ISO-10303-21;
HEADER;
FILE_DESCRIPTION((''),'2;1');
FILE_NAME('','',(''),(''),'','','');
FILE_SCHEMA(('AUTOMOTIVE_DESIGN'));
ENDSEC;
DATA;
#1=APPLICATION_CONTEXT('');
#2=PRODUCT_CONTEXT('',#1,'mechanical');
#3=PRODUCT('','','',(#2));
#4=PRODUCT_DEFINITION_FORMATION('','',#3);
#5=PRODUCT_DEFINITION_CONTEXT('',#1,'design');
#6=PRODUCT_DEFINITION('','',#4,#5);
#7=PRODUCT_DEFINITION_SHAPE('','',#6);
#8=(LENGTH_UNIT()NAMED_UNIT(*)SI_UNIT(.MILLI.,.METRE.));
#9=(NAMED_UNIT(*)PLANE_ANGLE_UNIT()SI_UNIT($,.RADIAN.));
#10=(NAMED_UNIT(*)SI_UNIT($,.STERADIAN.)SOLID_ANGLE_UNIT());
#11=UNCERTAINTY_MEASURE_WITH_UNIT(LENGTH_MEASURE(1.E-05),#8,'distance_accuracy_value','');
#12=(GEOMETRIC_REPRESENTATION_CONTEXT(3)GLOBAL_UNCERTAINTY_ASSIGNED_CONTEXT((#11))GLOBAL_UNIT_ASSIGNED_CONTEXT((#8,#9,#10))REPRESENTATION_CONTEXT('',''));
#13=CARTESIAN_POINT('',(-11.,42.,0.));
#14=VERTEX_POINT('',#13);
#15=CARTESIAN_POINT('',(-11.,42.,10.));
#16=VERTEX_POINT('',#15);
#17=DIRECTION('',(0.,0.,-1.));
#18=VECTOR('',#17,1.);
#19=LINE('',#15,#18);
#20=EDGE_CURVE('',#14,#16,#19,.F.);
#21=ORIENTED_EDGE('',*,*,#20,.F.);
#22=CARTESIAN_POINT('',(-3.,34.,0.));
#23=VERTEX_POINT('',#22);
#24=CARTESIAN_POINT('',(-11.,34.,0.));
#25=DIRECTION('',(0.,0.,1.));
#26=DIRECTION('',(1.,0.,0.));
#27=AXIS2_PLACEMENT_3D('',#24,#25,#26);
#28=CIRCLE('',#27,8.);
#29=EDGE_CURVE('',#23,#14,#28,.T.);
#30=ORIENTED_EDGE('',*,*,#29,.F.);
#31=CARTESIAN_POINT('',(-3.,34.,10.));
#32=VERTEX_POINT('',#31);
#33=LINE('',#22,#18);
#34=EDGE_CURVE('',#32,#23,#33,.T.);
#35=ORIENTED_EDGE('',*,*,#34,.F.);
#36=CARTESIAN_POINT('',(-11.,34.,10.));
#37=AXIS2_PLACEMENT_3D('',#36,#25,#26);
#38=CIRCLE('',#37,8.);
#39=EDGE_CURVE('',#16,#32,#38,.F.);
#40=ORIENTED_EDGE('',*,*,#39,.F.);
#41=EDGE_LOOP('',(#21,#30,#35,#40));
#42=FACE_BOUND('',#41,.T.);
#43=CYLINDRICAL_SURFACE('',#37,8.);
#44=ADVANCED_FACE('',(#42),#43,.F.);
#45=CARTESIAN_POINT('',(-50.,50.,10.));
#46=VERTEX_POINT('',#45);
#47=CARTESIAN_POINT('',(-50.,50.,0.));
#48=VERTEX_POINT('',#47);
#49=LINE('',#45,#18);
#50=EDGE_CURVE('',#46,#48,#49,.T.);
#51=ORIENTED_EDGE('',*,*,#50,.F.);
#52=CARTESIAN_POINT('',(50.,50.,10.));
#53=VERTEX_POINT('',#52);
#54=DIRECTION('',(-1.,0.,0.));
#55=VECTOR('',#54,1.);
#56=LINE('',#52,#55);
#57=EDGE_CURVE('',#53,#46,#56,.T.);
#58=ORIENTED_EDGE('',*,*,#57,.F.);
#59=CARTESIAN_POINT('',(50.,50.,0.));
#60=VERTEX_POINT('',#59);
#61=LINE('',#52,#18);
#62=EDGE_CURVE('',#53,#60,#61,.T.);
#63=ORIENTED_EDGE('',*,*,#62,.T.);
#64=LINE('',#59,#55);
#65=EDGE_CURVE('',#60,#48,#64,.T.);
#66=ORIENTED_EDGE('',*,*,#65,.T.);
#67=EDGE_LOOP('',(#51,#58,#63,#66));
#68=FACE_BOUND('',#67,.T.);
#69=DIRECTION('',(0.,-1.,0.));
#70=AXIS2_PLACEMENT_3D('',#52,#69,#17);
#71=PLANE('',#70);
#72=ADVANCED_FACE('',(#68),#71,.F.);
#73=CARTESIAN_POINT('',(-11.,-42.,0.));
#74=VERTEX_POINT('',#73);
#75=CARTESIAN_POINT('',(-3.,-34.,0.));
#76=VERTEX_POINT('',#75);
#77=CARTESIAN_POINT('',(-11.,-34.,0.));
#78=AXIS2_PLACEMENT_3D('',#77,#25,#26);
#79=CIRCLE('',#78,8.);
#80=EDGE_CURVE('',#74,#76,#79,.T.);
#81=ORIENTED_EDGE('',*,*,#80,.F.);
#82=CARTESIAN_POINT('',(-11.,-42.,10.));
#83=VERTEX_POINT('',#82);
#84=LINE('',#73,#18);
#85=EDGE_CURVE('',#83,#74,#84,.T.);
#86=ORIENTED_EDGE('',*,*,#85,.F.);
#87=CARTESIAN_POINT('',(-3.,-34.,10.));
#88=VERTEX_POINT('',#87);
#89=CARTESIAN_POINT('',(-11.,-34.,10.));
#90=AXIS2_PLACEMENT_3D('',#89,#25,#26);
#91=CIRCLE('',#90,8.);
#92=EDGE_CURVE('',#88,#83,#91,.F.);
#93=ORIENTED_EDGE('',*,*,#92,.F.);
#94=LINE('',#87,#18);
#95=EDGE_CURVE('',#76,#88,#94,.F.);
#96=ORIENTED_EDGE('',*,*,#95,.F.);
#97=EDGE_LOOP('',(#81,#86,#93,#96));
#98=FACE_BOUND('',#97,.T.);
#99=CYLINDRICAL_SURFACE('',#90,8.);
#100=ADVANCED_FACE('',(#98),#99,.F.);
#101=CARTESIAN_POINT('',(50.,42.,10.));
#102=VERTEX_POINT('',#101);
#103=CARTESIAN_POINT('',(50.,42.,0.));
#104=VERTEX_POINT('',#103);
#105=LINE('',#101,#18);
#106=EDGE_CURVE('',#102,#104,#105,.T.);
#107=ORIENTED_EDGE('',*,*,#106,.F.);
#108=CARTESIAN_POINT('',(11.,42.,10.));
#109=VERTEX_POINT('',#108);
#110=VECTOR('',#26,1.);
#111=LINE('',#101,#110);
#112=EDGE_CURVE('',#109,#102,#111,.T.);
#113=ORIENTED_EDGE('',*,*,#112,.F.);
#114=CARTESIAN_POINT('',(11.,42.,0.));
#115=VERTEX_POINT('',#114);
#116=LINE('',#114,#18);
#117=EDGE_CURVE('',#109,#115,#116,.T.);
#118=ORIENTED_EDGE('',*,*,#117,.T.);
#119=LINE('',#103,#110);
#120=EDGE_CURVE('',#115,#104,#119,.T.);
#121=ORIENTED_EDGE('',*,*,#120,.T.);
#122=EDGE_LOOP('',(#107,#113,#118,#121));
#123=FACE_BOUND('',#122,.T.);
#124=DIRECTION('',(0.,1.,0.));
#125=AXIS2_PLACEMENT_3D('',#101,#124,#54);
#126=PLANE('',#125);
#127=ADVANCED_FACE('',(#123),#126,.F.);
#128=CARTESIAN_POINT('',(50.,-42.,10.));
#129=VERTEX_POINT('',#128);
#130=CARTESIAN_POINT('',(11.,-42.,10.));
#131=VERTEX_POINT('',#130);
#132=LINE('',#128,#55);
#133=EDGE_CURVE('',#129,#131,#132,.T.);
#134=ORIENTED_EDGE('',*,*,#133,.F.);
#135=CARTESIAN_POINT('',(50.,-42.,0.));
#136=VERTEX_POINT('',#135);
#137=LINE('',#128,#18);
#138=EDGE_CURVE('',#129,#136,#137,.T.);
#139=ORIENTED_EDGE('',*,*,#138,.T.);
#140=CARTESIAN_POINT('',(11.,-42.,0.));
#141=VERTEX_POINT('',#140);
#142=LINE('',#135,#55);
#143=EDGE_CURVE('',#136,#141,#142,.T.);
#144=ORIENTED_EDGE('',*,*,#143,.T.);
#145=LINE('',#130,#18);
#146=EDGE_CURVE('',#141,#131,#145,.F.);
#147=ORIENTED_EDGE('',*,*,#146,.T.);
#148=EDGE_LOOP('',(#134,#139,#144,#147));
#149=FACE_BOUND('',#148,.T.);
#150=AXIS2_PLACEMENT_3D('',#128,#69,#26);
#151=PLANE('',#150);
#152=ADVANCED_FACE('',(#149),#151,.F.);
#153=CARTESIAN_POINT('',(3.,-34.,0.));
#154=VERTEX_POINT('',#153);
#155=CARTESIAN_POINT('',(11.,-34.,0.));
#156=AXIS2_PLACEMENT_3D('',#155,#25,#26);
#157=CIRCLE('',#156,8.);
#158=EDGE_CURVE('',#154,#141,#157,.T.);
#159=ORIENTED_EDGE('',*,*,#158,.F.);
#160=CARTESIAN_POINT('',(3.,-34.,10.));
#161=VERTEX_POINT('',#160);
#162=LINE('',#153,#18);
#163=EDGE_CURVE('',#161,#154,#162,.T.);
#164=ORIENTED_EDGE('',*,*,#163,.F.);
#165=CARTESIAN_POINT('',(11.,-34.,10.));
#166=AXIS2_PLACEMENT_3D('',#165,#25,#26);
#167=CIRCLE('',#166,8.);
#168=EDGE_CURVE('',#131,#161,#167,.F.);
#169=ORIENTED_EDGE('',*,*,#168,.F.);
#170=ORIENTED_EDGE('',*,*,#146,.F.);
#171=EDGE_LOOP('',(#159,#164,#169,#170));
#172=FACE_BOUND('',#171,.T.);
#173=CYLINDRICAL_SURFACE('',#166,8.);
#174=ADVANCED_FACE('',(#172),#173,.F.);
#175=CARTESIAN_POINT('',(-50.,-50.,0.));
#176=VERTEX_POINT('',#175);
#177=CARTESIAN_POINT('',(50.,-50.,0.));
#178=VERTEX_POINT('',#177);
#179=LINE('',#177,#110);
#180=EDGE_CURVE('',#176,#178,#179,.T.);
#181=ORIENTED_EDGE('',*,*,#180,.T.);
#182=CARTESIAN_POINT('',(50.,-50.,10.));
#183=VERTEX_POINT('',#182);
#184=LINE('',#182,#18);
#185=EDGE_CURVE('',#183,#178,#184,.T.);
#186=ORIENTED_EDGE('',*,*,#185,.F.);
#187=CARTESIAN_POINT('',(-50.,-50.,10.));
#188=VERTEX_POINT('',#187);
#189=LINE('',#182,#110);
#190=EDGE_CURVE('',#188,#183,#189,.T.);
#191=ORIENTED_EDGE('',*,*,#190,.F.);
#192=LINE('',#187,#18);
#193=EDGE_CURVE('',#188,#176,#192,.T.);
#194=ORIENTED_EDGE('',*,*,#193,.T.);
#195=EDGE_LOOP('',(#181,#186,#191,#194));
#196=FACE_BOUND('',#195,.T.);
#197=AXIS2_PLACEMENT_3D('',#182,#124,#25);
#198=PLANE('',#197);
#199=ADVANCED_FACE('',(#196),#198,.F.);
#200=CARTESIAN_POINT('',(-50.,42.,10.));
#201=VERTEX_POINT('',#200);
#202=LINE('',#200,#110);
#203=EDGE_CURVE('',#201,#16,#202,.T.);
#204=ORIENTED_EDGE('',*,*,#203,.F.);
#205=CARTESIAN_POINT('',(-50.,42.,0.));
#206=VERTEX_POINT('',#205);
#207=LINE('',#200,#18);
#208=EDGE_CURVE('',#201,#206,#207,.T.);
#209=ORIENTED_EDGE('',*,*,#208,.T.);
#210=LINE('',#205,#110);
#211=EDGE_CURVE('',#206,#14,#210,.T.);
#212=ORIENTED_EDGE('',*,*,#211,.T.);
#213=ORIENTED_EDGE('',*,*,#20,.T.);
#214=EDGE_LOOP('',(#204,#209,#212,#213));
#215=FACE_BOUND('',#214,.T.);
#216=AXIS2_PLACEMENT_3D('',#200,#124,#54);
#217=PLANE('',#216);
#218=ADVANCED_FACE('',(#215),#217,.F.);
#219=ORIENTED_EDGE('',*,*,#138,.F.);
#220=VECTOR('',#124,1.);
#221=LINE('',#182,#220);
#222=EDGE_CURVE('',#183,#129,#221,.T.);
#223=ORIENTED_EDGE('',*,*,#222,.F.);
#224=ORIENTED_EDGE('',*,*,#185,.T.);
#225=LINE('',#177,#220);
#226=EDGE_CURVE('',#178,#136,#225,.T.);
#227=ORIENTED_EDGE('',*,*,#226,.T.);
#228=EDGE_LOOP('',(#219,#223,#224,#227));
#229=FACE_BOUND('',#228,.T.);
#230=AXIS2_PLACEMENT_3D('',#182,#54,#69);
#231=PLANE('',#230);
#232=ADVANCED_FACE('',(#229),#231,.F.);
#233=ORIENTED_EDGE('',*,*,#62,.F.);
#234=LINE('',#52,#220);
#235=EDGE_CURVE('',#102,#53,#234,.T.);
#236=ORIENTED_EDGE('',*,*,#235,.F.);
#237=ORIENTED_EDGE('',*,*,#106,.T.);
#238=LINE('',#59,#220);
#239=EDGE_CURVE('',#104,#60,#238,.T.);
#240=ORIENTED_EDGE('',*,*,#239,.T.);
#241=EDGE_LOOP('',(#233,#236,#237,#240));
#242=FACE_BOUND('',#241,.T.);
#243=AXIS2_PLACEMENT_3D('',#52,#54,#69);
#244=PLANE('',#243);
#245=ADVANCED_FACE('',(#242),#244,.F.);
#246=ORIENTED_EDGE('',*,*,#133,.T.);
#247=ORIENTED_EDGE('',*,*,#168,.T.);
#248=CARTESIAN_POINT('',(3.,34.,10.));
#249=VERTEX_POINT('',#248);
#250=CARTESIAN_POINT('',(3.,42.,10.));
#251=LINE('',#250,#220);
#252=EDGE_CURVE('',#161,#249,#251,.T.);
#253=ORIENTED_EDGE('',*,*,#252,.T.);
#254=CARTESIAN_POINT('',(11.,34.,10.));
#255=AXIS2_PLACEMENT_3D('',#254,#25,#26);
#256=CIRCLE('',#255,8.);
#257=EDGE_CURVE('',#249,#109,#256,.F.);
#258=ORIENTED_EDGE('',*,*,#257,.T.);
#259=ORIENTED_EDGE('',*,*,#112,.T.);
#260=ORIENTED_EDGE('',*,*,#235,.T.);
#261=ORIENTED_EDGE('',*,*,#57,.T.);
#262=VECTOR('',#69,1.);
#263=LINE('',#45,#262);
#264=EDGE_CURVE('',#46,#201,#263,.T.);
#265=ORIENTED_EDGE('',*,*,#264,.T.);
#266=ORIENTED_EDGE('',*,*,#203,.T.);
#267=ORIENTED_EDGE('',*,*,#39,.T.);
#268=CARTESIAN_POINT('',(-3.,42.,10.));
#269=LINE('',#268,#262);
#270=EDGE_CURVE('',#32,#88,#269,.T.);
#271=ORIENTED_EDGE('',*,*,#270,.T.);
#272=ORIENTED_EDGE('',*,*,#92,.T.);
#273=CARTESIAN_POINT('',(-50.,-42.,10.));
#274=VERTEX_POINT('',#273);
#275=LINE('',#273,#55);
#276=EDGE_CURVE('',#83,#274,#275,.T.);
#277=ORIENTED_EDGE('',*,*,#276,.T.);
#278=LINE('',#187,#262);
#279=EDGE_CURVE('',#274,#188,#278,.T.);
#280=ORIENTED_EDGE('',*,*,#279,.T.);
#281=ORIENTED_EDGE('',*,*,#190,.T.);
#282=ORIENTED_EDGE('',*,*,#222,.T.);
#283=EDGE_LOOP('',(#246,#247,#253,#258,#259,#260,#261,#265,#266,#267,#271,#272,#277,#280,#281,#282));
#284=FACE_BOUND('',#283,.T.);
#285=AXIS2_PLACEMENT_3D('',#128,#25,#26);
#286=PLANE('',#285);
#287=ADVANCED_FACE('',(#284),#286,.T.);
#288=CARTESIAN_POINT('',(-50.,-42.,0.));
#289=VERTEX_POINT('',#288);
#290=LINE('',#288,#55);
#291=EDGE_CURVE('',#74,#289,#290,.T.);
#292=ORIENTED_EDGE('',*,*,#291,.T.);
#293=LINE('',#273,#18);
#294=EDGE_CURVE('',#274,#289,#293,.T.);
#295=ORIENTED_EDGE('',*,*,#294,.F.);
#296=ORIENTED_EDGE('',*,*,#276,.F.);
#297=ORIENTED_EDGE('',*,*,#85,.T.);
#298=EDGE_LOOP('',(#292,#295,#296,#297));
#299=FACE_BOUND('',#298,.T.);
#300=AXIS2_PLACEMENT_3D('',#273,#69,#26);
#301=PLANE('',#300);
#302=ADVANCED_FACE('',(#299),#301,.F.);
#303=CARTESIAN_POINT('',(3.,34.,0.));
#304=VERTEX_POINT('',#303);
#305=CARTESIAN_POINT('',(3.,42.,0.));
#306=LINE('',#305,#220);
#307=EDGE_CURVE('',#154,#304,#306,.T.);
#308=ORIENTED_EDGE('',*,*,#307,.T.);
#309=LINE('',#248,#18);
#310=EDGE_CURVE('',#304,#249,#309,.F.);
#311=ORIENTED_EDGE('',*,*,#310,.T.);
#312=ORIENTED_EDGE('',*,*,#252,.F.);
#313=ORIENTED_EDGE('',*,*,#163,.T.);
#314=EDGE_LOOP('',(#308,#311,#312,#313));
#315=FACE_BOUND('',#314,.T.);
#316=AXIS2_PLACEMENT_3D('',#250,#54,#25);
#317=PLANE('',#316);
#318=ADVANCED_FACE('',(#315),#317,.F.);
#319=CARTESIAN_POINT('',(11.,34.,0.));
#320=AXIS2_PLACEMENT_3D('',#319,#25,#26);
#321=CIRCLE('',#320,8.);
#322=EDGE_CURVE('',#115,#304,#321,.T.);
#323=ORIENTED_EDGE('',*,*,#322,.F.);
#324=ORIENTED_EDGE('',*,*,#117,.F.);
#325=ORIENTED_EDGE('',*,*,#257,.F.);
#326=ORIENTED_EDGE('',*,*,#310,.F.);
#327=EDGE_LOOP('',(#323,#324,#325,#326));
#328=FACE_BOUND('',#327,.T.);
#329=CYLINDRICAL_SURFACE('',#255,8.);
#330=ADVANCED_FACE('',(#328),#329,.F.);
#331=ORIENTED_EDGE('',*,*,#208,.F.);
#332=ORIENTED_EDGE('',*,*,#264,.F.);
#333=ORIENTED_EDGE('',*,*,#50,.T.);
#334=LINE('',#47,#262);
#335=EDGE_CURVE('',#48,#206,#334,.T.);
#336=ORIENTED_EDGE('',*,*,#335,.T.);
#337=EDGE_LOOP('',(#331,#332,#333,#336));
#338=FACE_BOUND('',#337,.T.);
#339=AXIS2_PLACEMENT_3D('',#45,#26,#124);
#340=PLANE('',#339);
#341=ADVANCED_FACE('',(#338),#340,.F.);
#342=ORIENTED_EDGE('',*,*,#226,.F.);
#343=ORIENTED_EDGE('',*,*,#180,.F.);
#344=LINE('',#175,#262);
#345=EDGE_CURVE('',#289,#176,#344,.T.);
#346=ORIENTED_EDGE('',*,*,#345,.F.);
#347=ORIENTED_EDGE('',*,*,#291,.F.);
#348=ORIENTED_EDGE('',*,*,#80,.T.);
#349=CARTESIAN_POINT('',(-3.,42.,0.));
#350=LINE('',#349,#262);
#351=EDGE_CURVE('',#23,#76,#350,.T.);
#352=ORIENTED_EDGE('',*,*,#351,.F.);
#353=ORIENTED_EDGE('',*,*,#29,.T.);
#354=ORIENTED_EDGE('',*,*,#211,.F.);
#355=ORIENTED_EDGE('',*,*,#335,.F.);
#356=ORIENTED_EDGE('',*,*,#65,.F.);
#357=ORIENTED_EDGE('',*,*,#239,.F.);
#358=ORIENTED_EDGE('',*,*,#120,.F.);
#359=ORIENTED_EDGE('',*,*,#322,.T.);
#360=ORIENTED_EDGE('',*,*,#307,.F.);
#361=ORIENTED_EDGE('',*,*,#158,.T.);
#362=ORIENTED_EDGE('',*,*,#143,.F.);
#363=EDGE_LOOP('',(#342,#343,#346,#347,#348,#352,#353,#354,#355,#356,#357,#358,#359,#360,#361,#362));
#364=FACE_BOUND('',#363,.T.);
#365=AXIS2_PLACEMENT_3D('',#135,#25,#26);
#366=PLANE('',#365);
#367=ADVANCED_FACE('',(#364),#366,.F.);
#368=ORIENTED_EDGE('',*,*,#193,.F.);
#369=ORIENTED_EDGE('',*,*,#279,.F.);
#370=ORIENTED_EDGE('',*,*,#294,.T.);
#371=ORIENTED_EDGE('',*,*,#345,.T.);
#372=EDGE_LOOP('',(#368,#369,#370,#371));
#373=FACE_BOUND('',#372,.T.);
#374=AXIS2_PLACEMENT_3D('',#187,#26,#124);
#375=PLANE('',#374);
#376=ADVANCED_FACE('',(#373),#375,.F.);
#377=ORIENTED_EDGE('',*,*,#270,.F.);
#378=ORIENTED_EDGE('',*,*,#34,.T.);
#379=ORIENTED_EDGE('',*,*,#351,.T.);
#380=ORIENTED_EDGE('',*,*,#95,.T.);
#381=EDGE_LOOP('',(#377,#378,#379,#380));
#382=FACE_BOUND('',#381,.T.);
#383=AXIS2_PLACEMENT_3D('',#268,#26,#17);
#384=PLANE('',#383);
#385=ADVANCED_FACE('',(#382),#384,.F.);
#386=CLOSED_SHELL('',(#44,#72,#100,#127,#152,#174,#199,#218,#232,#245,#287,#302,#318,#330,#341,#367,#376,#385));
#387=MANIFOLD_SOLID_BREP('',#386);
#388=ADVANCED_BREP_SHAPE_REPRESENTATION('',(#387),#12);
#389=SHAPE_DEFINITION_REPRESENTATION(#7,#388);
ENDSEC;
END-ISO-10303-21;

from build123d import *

# Parameters (mm, degrees)
EXTRUDE_1_DEPTH = 10
FILLET_1_R      = 8


with BuildPart() as part:
    # 草图1 → 凸台-拉伸1 (new body)
    with BuildSketch(Plane.XY):
        Polygon((50, 50), (-50, 50), (-50, 42), (-3, 42), (-3, -42), (-50, -42), (-50, -50), (50, -50), (50, -42), (3, -42), (3, 42), (50, 42), align=None)
    extrude(amount=EXTRUDE_1_DEPTH)

    # 圆角1
    fillet_1_edges = [part.edges().sort_by_distance(p)[0] for p in [
        (-3, -42, 5),
        (-3, 42, 5),
        (3, 42, 5),
        (3, -42, 5),
    ]]
    fillet(fillet_1_edges, radius=FILLET_1_R)


solid = part.part
